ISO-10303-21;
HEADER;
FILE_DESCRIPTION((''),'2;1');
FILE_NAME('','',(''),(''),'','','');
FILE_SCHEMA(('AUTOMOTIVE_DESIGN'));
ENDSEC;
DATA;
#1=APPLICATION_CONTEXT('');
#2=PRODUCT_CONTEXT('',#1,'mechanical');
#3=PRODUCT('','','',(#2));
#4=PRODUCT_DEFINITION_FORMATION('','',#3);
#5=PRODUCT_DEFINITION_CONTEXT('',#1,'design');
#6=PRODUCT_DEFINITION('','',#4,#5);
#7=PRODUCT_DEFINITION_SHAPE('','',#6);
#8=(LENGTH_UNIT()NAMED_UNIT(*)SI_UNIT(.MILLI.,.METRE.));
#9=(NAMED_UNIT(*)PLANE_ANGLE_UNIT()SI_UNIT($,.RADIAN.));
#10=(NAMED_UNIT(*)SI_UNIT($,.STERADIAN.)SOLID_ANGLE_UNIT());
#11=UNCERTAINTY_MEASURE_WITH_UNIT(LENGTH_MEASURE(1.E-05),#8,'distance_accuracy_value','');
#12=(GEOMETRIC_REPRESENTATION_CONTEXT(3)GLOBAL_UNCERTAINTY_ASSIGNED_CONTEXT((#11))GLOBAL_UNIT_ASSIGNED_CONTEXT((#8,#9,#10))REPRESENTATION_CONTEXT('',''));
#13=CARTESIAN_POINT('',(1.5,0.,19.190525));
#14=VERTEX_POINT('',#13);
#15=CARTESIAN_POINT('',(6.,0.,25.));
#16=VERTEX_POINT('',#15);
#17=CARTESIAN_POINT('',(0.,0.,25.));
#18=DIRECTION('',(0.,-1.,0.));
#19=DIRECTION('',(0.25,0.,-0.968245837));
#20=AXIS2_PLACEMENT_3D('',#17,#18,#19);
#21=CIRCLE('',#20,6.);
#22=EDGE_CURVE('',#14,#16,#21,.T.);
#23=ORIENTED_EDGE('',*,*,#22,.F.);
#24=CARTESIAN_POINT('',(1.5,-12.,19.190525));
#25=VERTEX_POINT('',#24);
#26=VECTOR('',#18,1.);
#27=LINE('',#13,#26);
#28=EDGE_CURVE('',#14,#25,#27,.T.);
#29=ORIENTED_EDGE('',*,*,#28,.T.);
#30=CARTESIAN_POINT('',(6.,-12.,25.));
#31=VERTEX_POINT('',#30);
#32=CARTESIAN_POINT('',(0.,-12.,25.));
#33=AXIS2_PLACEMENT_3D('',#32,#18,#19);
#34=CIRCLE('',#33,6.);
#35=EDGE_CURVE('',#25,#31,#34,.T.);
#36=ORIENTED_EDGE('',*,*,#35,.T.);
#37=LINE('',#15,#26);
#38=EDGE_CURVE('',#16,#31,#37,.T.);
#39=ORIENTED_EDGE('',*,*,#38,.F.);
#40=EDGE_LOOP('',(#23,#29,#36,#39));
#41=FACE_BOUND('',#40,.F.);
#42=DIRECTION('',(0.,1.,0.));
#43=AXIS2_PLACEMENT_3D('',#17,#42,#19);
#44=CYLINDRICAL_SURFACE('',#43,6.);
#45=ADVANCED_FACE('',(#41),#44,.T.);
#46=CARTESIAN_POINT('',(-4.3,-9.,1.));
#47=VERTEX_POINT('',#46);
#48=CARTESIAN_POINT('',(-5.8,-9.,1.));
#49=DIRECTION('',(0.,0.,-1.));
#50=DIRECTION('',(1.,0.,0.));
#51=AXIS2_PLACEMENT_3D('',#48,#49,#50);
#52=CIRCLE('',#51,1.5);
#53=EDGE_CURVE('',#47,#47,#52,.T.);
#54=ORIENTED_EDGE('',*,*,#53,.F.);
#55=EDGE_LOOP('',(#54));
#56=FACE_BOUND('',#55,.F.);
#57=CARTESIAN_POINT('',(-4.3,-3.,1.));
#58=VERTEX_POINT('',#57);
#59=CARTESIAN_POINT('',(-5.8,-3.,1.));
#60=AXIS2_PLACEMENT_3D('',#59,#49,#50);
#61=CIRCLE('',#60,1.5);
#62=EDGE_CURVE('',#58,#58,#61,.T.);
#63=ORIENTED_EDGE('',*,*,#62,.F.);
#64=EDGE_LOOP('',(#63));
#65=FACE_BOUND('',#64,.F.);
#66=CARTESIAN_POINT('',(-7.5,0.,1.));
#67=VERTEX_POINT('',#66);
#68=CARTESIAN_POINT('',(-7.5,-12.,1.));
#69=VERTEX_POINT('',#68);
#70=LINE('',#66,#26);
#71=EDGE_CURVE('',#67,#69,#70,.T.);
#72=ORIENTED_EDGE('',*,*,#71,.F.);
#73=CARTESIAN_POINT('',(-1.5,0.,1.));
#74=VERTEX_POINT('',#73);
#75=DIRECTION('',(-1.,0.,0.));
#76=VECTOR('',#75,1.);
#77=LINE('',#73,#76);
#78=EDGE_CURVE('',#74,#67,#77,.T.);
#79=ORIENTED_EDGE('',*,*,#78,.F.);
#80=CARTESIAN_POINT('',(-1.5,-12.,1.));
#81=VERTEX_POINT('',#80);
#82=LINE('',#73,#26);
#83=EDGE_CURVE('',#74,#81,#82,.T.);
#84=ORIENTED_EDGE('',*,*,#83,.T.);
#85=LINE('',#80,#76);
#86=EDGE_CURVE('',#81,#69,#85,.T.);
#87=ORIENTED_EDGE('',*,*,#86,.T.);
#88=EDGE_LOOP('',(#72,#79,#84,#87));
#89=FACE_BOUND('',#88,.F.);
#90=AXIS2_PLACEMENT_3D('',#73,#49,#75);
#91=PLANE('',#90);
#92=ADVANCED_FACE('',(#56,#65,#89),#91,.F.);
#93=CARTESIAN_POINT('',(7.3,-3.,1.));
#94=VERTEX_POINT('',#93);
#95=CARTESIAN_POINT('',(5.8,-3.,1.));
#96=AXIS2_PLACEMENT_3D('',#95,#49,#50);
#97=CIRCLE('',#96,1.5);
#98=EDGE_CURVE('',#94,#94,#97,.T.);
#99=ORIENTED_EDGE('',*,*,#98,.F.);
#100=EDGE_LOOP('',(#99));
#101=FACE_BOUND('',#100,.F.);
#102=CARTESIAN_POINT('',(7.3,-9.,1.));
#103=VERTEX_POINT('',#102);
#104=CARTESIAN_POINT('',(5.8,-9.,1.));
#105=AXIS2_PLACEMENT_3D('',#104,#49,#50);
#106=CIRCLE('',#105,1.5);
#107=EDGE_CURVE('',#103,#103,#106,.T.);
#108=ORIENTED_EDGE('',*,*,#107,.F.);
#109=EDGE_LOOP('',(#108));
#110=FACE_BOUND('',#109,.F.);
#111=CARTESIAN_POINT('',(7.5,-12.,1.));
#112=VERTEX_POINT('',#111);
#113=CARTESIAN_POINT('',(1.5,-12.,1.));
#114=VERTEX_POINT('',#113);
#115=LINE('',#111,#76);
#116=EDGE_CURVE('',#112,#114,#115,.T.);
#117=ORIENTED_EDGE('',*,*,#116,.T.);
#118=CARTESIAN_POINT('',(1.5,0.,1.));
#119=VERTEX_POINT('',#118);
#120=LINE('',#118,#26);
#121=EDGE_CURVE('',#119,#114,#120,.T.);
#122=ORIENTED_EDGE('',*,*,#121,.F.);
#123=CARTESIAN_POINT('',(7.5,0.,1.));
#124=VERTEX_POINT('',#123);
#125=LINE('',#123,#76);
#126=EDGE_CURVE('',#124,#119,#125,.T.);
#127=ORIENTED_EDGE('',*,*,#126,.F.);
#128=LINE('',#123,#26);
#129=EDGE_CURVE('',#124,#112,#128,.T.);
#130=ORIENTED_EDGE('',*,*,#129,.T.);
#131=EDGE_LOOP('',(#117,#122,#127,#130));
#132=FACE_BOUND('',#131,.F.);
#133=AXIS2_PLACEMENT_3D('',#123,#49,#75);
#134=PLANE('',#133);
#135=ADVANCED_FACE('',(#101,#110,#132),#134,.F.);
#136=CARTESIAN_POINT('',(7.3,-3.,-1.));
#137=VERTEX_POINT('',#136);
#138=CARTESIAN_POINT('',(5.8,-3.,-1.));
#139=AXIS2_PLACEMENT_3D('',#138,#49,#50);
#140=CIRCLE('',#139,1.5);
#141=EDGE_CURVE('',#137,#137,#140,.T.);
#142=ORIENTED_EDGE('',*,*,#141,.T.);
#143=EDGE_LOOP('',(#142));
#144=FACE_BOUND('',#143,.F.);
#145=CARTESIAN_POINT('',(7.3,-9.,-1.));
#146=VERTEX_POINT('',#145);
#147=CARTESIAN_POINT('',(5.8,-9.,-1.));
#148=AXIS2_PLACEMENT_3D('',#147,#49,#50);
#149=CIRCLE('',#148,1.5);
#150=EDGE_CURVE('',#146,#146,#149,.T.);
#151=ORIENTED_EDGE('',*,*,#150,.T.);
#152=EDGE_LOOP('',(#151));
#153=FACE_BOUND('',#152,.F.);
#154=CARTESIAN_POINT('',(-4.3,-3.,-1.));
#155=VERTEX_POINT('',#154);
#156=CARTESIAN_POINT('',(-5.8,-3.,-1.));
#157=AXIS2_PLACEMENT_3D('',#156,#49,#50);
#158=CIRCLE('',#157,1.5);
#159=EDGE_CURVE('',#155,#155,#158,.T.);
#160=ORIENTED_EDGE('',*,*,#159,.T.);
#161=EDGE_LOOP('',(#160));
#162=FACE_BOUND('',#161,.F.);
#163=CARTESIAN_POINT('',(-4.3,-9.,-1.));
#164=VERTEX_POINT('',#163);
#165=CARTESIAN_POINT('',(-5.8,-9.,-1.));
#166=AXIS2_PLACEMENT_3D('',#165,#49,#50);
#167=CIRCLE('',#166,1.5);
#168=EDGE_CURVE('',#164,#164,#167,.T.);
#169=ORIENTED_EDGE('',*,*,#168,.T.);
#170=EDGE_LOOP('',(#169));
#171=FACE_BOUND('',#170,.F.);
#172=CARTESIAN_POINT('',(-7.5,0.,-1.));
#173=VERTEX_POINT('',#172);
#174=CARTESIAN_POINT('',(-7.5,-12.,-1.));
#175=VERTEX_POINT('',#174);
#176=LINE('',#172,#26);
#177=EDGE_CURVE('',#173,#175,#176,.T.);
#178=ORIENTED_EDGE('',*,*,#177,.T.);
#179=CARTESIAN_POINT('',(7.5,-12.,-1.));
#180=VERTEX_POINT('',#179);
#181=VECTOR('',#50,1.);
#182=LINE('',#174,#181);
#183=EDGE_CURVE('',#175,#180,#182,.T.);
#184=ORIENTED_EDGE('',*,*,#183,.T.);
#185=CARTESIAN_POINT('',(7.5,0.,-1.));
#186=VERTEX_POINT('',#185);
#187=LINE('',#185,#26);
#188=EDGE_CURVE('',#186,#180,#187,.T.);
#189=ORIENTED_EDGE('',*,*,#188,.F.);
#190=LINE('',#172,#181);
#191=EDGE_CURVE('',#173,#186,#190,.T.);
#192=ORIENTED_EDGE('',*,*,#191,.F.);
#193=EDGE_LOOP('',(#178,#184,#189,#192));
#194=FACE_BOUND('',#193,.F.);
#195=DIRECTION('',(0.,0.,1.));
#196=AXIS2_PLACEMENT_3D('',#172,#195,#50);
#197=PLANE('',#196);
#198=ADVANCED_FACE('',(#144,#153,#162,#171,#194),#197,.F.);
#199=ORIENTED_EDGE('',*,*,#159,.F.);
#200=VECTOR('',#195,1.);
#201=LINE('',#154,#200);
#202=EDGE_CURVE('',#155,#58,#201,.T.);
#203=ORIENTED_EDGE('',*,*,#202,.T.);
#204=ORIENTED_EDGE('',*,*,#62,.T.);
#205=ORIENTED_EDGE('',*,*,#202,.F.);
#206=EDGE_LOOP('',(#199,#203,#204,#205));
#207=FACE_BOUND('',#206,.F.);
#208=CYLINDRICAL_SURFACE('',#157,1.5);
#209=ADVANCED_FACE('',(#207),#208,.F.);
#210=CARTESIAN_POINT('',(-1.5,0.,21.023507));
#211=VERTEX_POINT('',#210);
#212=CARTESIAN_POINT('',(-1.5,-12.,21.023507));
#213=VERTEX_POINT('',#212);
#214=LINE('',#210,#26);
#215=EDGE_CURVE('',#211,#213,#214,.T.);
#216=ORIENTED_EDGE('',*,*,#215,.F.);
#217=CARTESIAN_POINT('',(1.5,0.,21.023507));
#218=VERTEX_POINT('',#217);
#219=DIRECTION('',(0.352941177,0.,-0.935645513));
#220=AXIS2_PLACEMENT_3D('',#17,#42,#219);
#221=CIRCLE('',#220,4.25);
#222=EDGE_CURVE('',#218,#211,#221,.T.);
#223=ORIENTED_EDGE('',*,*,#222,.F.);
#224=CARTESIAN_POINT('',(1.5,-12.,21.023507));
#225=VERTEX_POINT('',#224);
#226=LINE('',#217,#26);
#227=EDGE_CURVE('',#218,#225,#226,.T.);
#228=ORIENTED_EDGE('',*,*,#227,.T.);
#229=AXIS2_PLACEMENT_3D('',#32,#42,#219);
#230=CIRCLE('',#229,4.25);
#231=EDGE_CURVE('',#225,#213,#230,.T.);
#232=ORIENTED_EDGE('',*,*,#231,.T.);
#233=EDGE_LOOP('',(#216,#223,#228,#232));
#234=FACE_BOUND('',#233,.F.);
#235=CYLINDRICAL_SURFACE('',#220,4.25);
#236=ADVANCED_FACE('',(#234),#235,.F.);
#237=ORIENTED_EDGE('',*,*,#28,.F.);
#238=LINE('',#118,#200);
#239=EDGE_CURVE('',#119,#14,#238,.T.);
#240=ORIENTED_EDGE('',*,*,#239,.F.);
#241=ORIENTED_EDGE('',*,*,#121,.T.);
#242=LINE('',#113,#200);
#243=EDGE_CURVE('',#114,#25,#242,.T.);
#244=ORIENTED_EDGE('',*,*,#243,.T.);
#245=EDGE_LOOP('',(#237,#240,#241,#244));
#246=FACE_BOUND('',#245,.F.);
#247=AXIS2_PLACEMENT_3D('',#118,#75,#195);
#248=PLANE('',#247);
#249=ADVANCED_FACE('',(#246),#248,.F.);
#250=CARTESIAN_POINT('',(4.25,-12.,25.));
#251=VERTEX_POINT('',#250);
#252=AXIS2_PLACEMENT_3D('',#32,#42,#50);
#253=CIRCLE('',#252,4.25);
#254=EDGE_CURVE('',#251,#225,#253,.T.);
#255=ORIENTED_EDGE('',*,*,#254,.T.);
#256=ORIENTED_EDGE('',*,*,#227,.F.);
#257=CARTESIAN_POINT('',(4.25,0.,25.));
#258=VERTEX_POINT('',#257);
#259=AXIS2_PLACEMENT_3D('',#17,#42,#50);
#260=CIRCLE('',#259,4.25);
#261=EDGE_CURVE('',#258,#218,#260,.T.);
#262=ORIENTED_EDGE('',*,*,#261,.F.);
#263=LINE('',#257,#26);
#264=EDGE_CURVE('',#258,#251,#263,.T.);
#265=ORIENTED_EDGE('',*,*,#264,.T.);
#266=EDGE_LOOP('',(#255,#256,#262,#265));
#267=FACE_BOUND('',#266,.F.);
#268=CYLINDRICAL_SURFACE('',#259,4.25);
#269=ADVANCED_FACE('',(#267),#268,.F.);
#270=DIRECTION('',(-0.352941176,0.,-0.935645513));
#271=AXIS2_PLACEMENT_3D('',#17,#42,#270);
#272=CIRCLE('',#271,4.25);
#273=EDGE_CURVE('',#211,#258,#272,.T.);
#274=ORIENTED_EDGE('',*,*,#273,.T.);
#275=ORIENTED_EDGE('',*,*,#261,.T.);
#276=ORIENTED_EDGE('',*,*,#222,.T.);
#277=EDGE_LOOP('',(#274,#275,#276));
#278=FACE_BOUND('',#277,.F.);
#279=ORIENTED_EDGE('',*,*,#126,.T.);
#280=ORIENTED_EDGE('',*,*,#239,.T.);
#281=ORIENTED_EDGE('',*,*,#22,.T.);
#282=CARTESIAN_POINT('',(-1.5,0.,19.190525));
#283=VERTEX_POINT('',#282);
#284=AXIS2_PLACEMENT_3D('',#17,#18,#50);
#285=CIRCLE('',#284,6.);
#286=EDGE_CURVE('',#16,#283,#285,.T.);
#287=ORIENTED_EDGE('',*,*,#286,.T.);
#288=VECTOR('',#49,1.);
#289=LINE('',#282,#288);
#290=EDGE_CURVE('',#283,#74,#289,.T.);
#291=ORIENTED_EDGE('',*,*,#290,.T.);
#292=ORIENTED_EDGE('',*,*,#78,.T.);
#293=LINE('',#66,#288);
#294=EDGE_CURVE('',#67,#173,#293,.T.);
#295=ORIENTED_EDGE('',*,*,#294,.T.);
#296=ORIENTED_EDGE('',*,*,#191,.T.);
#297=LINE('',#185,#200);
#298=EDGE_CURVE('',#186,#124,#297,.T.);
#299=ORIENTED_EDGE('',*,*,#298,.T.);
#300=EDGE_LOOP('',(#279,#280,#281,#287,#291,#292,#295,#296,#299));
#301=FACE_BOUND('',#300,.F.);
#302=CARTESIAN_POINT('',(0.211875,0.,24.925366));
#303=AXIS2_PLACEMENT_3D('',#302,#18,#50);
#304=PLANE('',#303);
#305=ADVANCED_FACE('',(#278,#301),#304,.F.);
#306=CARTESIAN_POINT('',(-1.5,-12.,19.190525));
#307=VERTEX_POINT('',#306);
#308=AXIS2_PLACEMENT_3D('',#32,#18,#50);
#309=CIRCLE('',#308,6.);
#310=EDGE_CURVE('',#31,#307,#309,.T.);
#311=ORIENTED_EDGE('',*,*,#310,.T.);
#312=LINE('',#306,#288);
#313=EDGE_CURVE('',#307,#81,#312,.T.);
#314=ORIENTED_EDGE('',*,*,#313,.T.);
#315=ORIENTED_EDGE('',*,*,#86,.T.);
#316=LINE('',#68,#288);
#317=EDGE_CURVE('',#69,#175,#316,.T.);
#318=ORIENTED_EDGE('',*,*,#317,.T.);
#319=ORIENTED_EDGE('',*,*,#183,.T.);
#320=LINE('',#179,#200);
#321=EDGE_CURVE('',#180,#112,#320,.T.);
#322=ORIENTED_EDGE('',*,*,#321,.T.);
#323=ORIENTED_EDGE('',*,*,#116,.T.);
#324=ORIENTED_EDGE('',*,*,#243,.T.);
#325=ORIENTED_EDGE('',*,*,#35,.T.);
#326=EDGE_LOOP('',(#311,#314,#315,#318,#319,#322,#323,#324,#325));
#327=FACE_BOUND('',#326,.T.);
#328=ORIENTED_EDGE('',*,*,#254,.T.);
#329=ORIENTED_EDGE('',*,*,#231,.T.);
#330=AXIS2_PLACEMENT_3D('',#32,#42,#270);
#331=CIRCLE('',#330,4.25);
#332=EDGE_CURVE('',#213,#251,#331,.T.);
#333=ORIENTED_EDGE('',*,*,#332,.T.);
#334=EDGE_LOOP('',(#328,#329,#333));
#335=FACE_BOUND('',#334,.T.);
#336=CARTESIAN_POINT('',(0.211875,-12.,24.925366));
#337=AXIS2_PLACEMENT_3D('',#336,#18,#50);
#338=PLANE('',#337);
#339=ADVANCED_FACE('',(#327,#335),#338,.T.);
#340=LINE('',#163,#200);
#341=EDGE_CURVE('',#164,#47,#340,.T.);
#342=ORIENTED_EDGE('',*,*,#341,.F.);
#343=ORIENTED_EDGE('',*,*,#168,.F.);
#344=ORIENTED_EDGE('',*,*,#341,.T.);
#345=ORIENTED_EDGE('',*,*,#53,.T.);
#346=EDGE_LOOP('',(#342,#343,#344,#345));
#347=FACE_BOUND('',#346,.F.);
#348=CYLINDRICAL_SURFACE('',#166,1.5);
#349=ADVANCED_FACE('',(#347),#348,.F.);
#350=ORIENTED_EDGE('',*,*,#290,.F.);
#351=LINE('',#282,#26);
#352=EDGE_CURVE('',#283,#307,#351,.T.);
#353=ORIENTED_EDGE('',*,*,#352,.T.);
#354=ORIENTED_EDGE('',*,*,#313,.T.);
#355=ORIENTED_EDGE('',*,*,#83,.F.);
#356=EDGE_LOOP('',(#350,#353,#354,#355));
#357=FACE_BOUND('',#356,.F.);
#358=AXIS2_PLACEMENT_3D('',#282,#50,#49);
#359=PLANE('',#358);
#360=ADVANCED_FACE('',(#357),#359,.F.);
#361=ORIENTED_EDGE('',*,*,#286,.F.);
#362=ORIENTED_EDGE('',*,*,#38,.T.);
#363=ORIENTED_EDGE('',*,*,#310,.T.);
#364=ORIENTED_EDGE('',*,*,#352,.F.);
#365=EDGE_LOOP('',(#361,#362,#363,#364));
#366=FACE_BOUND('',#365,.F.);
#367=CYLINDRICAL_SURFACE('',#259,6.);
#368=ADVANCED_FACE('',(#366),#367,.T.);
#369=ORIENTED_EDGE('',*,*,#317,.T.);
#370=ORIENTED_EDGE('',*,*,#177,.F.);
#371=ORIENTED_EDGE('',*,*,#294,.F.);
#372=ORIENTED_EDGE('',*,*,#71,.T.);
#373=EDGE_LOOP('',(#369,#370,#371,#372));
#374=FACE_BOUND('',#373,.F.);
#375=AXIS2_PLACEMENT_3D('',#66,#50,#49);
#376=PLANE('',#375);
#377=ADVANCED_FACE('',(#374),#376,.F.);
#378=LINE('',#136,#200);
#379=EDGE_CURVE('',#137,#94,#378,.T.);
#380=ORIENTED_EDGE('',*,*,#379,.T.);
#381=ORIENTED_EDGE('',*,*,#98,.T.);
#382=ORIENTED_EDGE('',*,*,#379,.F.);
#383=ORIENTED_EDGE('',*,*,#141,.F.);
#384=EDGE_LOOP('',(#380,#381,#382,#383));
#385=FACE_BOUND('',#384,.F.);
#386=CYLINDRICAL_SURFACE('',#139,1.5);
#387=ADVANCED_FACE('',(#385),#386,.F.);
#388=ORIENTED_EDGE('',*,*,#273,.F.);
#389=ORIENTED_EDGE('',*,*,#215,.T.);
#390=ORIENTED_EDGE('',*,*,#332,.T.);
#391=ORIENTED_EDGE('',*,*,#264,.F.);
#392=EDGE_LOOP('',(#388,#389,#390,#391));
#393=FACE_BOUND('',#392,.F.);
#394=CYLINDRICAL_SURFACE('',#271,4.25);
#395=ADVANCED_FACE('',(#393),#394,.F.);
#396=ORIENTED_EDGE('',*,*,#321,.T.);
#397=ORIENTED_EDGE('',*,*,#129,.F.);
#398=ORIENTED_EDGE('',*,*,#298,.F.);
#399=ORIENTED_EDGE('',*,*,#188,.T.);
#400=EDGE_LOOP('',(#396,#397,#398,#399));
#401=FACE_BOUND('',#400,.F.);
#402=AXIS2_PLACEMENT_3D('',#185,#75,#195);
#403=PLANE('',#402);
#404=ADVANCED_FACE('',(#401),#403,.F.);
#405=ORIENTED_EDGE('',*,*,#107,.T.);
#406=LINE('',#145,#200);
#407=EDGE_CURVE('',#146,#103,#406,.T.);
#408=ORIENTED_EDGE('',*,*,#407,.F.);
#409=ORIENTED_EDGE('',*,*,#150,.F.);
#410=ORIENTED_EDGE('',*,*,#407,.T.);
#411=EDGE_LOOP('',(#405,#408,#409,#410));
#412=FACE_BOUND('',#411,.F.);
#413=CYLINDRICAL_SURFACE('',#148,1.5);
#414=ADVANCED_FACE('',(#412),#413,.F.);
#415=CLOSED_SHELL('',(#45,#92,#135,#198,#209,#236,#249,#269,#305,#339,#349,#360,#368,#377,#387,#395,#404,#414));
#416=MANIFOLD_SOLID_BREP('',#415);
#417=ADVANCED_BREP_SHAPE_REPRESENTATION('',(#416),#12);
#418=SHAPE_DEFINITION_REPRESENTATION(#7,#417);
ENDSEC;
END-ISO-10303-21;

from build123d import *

# Parameters (mm, degrees)
F0_W     = 3
F0_H     = 1
F1_DEPTH = 12
F2_R     = 1.5
F3_DEPTH = 5


with BuildPart() as f1:
    # F0 (on Front) → F1 (new body)
    with BuildSketch(Plane.XZ):
        with BuildLine():
            ThreePointArc((-1.5, 21.0235065699), (-2.4173849507, 28.4955328635), (4.25, 25))
            ThreePointArc((4.25, 25), (3.4955328635, 22.5826150493), (1.5, 21.0235065699))
            Line((1.5, 21.0235065699), (1.5, 19.1905249807))
            ThreePointArc((1.5, 19.1905249807), (4.7434164903, 21.3257653858), (6, 25))
            ThreePointArc((6, 25), (-3.6742346142, 29.7434164903), (-1.5, 19.1905249807))
            Line((-1.5, 19.1905249807), (-1.5, 21.0235065699))
        make_face()
        with BuildLine():
            ThreePointArc((1.5, 21.0235065699), (0, 20.75), (-1.5, 21.0235065699))
            Line((-1.5, 21.0235065699), (-1.5, 19.1905249807))
            ThreePointArc((-1.5, 19.1905249807), (0, 19), (1.5, 19.1905249807))
            Line((1.5, 19.1905249807), (1.5, 21.0235065699))
        make_face()
        with BuildLine():
            ThreePointArc((1.5, 19.1905249807), (0, 19), (-1.5, 19.1905249807))
            Line((-1.5, 19.1905249807), (-1.5, 1))
            Line((-1.5, 1), (1.5, 1))
            Line((1.5, 1), (1.5, 19.1905249807))
        make_face()
        Polygon((-1.5, 0), (-1.5, 1), (-7.5, 1), (-7.5, -1), (7.5, -1), (7.5, 1), (1.5, 1), (1.5, 0), align=None)
        with Locations((0, 0.5)):
            Rectangle(F0_W, F0_H)
    extrude(amount=F1_DEPTH)

    # F2 (on face) → F3 (cut)
    with BuildSketch(Plane(origin=(0, 0, -1), x_dir=(1, 0, 0), z_dir=(0, 0, -1))):
        with Locations((-5.8, 9)):
            Circle(F2_R)
        with Locations((-5.8, 3)):
            Circle(F2_R)
        with Locations((5.8, 3)):
            Circle(F2_R)
        with Locations((5.8, 9)):
            Circle(F2_R)
    extrude(amount=-F3_DEPTH, mode=Mode.SUBTRACT)


solid = f1.part
